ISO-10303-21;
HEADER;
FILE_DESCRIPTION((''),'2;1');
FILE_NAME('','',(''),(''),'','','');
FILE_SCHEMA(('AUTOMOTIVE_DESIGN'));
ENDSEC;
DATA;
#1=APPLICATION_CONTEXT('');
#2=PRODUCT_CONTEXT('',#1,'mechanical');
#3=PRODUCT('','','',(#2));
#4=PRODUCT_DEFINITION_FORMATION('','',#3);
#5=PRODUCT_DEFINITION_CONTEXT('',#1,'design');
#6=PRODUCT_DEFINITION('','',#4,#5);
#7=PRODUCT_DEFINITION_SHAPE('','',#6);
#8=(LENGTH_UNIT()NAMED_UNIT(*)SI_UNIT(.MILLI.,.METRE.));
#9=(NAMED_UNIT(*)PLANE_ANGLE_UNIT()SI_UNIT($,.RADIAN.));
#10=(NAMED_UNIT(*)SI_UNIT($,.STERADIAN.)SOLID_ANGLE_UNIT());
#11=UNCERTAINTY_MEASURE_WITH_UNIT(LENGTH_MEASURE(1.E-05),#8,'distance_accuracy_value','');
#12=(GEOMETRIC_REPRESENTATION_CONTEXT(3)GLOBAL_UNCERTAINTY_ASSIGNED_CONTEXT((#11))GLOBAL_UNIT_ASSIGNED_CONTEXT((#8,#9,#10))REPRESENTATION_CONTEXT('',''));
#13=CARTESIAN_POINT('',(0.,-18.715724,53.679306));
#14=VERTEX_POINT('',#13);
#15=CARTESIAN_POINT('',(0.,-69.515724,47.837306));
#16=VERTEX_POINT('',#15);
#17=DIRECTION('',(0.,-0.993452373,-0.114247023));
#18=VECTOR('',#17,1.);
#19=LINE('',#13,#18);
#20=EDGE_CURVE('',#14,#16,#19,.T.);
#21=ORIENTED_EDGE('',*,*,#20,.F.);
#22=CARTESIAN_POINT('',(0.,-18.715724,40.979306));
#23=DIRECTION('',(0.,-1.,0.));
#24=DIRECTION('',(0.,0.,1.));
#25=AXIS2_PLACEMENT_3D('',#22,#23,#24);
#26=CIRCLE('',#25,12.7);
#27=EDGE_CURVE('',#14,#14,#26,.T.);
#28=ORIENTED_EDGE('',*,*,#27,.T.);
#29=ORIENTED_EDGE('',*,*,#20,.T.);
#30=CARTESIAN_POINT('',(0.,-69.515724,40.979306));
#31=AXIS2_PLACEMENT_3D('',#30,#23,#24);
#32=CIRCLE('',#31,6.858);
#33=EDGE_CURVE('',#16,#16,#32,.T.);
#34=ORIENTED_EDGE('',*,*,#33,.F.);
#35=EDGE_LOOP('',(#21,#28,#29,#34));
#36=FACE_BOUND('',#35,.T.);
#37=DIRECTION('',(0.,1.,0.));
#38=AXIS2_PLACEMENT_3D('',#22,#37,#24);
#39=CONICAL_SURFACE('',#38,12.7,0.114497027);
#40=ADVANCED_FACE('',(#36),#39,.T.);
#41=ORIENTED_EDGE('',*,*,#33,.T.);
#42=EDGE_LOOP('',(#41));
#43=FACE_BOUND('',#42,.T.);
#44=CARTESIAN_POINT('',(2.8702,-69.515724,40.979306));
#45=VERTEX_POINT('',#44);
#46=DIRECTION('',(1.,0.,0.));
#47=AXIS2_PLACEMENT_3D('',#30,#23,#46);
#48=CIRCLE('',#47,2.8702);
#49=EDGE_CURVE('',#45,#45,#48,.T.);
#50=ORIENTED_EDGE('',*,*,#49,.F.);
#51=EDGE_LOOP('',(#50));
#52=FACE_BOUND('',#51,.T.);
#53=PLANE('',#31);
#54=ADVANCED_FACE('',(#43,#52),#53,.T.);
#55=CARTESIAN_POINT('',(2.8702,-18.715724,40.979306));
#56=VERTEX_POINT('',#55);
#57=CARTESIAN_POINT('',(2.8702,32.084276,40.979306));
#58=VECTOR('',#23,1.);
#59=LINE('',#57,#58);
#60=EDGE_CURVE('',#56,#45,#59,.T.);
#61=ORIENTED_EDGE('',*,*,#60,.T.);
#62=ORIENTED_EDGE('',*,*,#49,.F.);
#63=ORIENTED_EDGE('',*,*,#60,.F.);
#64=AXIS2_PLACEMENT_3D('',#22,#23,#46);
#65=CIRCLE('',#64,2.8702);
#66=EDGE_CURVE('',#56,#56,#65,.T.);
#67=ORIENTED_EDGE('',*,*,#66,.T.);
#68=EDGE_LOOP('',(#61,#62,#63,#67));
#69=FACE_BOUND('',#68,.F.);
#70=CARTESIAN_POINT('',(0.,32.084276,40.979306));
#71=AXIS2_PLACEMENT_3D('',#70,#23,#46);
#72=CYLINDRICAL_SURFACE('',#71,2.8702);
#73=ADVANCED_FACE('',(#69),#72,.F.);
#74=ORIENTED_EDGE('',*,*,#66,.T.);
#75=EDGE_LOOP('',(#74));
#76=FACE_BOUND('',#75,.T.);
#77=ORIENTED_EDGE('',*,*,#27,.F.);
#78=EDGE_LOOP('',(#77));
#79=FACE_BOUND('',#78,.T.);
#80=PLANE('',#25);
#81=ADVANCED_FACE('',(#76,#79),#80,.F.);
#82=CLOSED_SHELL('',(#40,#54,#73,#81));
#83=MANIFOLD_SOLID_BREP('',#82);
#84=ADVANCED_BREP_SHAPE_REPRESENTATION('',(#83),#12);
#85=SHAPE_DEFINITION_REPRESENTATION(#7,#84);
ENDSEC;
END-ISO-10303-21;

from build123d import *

# Parameters (mm, degrees)
F0_R     = 12.7
F1_DEPTH = 63.5
F3_D     = 5.7404
F3_DEPTH = 63.5
F7_D     = 5.7404
F7_DEPTH = 50.8


with BuildPart() as f1:
    # F0 (on Front) → F1 (new body)
    with BuildSketch(Plane.XZ):
        Circle(F0_R)
    extrude(amount=F1_DEPTH)

    # F3
    with Locations(Plane(origin=(0, 0, 0), x_dir=(1, 0, 0), z_dir=(0, 1, 0))):
        with Locations((0, 0)):
            Hole(F3_D / 2, depth=F3_DEPTH)


with BuildPart() as f5:
    # F4 (on Right) → F5 (revolve)
    with BuildSketch(Plane.YZ):
        Polygon((-69.515724, 40.979306), (-18.715724, 40.979306), (-18.715724, 53.679306), (-69.515724, 47.837306), align=None)
    revolve(axis=Axis((0, -44.115724, 40.979306), (0, -1, 0)))

    # F7
    with Locations(Plane(origin=(0, -18.715724, 0), x_dir=(-1, 0, 0), z_dir=(0, 1, 0))):
        with Locations((0, 40.979306)):
            Hole(F7_D / 2, depth=F7_DEPTH)


solid = f5.part
